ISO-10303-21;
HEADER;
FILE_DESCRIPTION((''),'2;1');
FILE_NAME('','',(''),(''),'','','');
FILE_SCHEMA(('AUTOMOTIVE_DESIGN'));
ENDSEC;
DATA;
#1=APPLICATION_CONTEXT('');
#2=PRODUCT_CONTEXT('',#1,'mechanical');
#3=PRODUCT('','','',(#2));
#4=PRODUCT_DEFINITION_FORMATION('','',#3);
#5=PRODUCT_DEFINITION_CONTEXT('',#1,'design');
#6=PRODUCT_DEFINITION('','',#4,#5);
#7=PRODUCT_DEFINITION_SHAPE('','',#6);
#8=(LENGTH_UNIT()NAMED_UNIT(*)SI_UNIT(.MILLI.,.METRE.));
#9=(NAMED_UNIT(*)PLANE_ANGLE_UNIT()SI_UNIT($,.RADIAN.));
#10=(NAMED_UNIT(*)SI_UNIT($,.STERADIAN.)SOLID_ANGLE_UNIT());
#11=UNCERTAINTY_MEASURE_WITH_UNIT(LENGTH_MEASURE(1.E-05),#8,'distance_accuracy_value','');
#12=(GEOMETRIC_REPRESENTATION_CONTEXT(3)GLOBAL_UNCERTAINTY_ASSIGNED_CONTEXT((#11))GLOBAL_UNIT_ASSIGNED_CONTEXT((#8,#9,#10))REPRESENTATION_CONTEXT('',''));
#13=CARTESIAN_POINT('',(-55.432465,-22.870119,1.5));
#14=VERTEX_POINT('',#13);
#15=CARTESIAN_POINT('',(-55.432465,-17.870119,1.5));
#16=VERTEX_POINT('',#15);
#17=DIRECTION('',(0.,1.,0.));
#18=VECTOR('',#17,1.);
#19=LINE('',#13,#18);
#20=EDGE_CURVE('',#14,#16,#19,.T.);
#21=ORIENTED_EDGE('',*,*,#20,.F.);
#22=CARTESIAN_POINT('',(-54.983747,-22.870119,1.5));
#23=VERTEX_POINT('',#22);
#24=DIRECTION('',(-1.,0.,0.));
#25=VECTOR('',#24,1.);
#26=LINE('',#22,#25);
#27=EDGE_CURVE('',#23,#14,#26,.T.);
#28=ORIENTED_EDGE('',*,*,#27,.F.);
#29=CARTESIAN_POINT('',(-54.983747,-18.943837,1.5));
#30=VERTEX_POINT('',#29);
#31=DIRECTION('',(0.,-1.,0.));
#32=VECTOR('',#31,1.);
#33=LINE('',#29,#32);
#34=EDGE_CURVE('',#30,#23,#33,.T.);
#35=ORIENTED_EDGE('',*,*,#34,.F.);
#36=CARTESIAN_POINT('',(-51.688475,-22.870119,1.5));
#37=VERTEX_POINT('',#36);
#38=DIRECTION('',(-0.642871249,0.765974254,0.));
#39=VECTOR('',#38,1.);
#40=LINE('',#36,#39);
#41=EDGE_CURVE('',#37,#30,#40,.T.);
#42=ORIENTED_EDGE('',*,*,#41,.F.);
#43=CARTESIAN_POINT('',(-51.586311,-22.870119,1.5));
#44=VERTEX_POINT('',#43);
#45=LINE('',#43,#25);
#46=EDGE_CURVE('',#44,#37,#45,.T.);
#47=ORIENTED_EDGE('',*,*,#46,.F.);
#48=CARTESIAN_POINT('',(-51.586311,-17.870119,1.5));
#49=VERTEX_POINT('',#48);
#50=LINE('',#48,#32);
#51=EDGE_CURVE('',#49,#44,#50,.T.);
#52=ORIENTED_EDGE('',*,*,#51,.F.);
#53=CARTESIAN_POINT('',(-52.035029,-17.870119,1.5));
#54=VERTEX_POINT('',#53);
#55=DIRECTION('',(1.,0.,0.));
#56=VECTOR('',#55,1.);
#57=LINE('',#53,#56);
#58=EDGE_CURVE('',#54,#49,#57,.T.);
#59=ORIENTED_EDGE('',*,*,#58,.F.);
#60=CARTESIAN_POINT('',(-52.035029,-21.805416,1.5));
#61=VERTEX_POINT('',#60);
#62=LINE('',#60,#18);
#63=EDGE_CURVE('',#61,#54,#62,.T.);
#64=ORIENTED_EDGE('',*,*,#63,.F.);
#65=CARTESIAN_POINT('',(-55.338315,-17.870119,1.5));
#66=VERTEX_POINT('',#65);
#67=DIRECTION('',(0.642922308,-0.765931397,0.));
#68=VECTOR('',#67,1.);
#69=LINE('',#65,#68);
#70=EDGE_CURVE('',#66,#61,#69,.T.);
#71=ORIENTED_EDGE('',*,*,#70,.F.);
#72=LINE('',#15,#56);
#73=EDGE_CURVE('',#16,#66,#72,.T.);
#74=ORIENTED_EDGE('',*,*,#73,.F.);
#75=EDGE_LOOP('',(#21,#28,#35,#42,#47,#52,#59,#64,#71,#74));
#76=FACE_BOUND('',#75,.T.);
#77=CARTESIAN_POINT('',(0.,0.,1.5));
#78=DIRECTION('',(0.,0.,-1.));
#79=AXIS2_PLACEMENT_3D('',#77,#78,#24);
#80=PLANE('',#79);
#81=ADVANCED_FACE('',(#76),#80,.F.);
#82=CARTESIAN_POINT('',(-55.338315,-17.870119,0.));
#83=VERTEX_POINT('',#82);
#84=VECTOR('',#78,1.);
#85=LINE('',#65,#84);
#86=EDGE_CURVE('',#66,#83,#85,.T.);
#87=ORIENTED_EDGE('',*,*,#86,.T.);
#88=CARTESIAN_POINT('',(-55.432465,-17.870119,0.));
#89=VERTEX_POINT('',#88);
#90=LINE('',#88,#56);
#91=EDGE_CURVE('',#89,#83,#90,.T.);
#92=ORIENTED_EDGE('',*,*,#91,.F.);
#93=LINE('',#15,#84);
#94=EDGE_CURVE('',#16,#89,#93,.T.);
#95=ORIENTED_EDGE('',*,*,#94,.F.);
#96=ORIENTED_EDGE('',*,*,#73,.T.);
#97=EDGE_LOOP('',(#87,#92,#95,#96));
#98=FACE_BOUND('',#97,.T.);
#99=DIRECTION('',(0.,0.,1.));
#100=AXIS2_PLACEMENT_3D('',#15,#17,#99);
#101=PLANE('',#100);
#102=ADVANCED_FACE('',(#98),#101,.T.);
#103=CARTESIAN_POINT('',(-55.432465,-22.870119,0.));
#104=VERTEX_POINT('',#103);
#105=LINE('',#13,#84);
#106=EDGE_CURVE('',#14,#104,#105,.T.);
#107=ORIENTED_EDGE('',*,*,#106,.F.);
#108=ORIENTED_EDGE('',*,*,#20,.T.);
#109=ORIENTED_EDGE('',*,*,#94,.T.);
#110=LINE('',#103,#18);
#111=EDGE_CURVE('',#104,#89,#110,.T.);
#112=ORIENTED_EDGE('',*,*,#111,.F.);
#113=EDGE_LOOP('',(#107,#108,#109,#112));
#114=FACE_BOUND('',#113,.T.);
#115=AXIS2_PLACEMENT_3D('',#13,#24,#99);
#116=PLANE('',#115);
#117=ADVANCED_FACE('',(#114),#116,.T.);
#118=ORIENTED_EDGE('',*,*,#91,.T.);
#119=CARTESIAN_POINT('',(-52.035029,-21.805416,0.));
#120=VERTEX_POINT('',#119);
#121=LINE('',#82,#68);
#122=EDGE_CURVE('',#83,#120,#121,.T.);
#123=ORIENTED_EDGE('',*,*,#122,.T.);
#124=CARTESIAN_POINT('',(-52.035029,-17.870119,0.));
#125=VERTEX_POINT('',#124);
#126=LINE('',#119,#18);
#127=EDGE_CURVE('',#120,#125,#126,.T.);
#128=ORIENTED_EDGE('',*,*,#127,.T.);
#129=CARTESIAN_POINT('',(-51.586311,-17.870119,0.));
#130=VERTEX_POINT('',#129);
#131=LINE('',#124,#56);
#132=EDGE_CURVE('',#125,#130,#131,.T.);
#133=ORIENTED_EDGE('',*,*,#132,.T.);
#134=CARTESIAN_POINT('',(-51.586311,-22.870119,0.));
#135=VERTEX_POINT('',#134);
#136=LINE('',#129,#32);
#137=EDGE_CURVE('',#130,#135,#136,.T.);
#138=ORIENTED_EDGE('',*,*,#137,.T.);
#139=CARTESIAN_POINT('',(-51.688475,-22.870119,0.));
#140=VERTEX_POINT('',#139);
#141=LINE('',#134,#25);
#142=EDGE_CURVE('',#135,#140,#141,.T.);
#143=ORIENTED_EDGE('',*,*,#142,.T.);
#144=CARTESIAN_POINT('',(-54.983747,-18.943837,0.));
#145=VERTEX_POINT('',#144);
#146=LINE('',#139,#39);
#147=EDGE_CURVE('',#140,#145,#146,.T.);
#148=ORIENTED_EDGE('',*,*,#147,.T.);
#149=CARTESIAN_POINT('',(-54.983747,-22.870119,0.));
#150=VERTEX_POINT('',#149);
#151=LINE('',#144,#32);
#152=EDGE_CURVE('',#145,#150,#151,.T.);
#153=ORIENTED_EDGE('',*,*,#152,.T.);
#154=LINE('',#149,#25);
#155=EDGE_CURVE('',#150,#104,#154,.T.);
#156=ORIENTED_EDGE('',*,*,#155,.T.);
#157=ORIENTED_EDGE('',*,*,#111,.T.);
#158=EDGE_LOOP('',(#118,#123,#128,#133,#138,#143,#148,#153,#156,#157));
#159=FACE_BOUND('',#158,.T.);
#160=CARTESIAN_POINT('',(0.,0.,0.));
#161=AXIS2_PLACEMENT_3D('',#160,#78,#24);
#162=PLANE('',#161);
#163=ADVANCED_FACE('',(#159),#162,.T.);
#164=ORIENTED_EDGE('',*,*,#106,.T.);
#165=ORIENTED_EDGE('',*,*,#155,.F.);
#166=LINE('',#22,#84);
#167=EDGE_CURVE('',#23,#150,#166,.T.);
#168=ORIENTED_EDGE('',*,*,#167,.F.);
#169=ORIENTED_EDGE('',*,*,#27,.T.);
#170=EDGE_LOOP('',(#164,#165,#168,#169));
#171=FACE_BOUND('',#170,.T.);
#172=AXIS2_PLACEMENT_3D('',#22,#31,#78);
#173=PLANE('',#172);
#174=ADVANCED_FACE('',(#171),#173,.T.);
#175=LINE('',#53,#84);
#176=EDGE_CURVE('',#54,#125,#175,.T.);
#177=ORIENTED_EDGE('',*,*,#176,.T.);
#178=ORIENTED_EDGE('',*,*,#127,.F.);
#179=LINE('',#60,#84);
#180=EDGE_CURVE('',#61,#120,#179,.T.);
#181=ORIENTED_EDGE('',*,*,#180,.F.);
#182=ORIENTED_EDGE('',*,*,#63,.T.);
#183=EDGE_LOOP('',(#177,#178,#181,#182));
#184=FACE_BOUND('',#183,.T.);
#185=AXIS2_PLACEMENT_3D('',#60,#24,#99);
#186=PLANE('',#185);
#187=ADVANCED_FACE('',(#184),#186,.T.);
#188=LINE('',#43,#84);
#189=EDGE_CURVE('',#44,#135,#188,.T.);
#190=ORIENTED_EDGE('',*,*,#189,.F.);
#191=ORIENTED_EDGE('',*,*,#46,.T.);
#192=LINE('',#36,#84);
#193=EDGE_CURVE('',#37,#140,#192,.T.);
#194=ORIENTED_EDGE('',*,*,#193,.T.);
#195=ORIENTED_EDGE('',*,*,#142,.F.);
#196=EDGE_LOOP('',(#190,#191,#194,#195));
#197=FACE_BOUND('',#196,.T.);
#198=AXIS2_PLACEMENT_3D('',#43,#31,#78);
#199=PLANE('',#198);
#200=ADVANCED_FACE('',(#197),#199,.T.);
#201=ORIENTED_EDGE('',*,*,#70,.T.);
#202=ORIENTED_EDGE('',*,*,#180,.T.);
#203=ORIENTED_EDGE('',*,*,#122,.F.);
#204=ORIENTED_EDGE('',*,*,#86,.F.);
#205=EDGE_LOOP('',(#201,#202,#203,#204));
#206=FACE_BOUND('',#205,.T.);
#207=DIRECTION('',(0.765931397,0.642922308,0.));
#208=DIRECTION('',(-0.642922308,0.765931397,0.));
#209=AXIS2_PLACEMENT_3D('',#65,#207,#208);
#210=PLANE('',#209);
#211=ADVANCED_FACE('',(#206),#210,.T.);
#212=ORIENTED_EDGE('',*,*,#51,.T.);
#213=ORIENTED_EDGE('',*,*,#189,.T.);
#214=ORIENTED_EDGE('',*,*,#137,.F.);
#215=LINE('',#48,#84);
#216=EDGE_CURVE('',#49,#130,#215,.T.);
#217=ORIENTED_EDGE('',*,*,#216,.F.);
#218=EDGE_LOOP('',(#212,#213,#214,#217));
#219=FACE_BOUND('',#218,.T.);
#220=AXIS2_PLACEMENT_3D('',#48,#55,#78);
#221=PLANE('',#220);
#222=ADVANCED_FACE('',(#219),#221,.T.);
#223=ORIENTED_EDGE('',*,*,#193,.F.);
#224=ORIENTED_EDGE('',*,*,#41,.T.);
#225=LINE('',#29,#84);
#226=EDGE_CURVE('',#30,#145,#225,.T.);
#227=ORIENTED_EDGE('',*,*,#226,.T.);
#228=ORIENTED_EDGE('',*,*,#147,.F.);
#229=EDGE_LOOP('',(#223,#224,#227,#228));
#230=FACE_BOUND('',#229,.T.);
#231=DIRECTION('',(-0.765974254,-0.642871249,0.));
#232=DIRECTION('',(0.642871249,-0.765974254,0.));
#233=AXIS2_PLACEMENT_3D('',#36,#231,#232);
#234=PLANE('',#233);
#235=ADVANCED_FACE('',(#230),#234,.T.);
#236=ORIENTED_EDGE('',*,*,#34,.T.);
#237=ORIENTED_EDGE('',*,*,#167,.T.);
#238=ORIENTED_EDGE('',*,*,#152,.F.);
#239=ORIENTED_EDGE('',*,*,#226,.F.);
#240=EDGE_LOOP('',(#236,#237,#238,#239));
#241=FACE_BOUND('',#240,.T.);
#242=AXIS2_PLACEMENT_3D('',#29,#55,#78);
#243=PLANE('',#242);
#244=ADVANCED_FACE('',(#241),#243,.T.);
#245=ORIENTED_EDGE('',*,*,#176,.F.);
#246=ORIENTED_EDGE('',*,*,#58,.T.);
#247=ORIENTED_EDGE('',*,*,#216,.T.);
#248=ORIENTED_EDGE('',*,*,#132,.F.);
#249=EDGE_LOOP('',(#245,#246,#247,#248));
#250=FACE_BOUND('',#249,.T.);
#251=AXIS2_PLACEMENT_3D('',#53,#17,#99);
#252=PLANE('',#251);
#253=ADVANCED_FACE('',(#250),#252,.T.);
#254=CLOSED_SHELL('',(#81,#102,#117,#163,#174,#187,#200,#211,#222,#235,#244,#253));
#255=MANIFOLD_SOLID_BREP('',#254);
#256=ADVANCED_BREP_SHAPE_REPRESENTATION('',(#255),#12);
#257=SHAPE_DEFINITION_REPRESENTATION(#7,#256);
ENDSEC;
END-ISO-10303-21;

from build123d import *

# Parameters (mm, degrees)
BOSS_EXTRU_1_DEPTH = 1.5


with BuildPart() as part:
    # Esquisse1 → Boss.-Extru.1 (new body)
    with BuildSketch(Plane.XY):
        Polygon((-55.432465326, -22.870119076), (-55.432465326, -17.870119076), (-55.338314685, -17.870119076), (-52.035029428, -21.805415551), (-52.035029428, -17.870119076), (-51.58631148, -17.870119076), (-51.58631148, -22.870119076), (-51.688474941, -22.870119076), (-54.983747377, -18.943837025), (-54.983747377, -22.870119076), align=None)
    extrude(amount=BOSS_EXTRU_1_DEPTH)


solid = part.part
